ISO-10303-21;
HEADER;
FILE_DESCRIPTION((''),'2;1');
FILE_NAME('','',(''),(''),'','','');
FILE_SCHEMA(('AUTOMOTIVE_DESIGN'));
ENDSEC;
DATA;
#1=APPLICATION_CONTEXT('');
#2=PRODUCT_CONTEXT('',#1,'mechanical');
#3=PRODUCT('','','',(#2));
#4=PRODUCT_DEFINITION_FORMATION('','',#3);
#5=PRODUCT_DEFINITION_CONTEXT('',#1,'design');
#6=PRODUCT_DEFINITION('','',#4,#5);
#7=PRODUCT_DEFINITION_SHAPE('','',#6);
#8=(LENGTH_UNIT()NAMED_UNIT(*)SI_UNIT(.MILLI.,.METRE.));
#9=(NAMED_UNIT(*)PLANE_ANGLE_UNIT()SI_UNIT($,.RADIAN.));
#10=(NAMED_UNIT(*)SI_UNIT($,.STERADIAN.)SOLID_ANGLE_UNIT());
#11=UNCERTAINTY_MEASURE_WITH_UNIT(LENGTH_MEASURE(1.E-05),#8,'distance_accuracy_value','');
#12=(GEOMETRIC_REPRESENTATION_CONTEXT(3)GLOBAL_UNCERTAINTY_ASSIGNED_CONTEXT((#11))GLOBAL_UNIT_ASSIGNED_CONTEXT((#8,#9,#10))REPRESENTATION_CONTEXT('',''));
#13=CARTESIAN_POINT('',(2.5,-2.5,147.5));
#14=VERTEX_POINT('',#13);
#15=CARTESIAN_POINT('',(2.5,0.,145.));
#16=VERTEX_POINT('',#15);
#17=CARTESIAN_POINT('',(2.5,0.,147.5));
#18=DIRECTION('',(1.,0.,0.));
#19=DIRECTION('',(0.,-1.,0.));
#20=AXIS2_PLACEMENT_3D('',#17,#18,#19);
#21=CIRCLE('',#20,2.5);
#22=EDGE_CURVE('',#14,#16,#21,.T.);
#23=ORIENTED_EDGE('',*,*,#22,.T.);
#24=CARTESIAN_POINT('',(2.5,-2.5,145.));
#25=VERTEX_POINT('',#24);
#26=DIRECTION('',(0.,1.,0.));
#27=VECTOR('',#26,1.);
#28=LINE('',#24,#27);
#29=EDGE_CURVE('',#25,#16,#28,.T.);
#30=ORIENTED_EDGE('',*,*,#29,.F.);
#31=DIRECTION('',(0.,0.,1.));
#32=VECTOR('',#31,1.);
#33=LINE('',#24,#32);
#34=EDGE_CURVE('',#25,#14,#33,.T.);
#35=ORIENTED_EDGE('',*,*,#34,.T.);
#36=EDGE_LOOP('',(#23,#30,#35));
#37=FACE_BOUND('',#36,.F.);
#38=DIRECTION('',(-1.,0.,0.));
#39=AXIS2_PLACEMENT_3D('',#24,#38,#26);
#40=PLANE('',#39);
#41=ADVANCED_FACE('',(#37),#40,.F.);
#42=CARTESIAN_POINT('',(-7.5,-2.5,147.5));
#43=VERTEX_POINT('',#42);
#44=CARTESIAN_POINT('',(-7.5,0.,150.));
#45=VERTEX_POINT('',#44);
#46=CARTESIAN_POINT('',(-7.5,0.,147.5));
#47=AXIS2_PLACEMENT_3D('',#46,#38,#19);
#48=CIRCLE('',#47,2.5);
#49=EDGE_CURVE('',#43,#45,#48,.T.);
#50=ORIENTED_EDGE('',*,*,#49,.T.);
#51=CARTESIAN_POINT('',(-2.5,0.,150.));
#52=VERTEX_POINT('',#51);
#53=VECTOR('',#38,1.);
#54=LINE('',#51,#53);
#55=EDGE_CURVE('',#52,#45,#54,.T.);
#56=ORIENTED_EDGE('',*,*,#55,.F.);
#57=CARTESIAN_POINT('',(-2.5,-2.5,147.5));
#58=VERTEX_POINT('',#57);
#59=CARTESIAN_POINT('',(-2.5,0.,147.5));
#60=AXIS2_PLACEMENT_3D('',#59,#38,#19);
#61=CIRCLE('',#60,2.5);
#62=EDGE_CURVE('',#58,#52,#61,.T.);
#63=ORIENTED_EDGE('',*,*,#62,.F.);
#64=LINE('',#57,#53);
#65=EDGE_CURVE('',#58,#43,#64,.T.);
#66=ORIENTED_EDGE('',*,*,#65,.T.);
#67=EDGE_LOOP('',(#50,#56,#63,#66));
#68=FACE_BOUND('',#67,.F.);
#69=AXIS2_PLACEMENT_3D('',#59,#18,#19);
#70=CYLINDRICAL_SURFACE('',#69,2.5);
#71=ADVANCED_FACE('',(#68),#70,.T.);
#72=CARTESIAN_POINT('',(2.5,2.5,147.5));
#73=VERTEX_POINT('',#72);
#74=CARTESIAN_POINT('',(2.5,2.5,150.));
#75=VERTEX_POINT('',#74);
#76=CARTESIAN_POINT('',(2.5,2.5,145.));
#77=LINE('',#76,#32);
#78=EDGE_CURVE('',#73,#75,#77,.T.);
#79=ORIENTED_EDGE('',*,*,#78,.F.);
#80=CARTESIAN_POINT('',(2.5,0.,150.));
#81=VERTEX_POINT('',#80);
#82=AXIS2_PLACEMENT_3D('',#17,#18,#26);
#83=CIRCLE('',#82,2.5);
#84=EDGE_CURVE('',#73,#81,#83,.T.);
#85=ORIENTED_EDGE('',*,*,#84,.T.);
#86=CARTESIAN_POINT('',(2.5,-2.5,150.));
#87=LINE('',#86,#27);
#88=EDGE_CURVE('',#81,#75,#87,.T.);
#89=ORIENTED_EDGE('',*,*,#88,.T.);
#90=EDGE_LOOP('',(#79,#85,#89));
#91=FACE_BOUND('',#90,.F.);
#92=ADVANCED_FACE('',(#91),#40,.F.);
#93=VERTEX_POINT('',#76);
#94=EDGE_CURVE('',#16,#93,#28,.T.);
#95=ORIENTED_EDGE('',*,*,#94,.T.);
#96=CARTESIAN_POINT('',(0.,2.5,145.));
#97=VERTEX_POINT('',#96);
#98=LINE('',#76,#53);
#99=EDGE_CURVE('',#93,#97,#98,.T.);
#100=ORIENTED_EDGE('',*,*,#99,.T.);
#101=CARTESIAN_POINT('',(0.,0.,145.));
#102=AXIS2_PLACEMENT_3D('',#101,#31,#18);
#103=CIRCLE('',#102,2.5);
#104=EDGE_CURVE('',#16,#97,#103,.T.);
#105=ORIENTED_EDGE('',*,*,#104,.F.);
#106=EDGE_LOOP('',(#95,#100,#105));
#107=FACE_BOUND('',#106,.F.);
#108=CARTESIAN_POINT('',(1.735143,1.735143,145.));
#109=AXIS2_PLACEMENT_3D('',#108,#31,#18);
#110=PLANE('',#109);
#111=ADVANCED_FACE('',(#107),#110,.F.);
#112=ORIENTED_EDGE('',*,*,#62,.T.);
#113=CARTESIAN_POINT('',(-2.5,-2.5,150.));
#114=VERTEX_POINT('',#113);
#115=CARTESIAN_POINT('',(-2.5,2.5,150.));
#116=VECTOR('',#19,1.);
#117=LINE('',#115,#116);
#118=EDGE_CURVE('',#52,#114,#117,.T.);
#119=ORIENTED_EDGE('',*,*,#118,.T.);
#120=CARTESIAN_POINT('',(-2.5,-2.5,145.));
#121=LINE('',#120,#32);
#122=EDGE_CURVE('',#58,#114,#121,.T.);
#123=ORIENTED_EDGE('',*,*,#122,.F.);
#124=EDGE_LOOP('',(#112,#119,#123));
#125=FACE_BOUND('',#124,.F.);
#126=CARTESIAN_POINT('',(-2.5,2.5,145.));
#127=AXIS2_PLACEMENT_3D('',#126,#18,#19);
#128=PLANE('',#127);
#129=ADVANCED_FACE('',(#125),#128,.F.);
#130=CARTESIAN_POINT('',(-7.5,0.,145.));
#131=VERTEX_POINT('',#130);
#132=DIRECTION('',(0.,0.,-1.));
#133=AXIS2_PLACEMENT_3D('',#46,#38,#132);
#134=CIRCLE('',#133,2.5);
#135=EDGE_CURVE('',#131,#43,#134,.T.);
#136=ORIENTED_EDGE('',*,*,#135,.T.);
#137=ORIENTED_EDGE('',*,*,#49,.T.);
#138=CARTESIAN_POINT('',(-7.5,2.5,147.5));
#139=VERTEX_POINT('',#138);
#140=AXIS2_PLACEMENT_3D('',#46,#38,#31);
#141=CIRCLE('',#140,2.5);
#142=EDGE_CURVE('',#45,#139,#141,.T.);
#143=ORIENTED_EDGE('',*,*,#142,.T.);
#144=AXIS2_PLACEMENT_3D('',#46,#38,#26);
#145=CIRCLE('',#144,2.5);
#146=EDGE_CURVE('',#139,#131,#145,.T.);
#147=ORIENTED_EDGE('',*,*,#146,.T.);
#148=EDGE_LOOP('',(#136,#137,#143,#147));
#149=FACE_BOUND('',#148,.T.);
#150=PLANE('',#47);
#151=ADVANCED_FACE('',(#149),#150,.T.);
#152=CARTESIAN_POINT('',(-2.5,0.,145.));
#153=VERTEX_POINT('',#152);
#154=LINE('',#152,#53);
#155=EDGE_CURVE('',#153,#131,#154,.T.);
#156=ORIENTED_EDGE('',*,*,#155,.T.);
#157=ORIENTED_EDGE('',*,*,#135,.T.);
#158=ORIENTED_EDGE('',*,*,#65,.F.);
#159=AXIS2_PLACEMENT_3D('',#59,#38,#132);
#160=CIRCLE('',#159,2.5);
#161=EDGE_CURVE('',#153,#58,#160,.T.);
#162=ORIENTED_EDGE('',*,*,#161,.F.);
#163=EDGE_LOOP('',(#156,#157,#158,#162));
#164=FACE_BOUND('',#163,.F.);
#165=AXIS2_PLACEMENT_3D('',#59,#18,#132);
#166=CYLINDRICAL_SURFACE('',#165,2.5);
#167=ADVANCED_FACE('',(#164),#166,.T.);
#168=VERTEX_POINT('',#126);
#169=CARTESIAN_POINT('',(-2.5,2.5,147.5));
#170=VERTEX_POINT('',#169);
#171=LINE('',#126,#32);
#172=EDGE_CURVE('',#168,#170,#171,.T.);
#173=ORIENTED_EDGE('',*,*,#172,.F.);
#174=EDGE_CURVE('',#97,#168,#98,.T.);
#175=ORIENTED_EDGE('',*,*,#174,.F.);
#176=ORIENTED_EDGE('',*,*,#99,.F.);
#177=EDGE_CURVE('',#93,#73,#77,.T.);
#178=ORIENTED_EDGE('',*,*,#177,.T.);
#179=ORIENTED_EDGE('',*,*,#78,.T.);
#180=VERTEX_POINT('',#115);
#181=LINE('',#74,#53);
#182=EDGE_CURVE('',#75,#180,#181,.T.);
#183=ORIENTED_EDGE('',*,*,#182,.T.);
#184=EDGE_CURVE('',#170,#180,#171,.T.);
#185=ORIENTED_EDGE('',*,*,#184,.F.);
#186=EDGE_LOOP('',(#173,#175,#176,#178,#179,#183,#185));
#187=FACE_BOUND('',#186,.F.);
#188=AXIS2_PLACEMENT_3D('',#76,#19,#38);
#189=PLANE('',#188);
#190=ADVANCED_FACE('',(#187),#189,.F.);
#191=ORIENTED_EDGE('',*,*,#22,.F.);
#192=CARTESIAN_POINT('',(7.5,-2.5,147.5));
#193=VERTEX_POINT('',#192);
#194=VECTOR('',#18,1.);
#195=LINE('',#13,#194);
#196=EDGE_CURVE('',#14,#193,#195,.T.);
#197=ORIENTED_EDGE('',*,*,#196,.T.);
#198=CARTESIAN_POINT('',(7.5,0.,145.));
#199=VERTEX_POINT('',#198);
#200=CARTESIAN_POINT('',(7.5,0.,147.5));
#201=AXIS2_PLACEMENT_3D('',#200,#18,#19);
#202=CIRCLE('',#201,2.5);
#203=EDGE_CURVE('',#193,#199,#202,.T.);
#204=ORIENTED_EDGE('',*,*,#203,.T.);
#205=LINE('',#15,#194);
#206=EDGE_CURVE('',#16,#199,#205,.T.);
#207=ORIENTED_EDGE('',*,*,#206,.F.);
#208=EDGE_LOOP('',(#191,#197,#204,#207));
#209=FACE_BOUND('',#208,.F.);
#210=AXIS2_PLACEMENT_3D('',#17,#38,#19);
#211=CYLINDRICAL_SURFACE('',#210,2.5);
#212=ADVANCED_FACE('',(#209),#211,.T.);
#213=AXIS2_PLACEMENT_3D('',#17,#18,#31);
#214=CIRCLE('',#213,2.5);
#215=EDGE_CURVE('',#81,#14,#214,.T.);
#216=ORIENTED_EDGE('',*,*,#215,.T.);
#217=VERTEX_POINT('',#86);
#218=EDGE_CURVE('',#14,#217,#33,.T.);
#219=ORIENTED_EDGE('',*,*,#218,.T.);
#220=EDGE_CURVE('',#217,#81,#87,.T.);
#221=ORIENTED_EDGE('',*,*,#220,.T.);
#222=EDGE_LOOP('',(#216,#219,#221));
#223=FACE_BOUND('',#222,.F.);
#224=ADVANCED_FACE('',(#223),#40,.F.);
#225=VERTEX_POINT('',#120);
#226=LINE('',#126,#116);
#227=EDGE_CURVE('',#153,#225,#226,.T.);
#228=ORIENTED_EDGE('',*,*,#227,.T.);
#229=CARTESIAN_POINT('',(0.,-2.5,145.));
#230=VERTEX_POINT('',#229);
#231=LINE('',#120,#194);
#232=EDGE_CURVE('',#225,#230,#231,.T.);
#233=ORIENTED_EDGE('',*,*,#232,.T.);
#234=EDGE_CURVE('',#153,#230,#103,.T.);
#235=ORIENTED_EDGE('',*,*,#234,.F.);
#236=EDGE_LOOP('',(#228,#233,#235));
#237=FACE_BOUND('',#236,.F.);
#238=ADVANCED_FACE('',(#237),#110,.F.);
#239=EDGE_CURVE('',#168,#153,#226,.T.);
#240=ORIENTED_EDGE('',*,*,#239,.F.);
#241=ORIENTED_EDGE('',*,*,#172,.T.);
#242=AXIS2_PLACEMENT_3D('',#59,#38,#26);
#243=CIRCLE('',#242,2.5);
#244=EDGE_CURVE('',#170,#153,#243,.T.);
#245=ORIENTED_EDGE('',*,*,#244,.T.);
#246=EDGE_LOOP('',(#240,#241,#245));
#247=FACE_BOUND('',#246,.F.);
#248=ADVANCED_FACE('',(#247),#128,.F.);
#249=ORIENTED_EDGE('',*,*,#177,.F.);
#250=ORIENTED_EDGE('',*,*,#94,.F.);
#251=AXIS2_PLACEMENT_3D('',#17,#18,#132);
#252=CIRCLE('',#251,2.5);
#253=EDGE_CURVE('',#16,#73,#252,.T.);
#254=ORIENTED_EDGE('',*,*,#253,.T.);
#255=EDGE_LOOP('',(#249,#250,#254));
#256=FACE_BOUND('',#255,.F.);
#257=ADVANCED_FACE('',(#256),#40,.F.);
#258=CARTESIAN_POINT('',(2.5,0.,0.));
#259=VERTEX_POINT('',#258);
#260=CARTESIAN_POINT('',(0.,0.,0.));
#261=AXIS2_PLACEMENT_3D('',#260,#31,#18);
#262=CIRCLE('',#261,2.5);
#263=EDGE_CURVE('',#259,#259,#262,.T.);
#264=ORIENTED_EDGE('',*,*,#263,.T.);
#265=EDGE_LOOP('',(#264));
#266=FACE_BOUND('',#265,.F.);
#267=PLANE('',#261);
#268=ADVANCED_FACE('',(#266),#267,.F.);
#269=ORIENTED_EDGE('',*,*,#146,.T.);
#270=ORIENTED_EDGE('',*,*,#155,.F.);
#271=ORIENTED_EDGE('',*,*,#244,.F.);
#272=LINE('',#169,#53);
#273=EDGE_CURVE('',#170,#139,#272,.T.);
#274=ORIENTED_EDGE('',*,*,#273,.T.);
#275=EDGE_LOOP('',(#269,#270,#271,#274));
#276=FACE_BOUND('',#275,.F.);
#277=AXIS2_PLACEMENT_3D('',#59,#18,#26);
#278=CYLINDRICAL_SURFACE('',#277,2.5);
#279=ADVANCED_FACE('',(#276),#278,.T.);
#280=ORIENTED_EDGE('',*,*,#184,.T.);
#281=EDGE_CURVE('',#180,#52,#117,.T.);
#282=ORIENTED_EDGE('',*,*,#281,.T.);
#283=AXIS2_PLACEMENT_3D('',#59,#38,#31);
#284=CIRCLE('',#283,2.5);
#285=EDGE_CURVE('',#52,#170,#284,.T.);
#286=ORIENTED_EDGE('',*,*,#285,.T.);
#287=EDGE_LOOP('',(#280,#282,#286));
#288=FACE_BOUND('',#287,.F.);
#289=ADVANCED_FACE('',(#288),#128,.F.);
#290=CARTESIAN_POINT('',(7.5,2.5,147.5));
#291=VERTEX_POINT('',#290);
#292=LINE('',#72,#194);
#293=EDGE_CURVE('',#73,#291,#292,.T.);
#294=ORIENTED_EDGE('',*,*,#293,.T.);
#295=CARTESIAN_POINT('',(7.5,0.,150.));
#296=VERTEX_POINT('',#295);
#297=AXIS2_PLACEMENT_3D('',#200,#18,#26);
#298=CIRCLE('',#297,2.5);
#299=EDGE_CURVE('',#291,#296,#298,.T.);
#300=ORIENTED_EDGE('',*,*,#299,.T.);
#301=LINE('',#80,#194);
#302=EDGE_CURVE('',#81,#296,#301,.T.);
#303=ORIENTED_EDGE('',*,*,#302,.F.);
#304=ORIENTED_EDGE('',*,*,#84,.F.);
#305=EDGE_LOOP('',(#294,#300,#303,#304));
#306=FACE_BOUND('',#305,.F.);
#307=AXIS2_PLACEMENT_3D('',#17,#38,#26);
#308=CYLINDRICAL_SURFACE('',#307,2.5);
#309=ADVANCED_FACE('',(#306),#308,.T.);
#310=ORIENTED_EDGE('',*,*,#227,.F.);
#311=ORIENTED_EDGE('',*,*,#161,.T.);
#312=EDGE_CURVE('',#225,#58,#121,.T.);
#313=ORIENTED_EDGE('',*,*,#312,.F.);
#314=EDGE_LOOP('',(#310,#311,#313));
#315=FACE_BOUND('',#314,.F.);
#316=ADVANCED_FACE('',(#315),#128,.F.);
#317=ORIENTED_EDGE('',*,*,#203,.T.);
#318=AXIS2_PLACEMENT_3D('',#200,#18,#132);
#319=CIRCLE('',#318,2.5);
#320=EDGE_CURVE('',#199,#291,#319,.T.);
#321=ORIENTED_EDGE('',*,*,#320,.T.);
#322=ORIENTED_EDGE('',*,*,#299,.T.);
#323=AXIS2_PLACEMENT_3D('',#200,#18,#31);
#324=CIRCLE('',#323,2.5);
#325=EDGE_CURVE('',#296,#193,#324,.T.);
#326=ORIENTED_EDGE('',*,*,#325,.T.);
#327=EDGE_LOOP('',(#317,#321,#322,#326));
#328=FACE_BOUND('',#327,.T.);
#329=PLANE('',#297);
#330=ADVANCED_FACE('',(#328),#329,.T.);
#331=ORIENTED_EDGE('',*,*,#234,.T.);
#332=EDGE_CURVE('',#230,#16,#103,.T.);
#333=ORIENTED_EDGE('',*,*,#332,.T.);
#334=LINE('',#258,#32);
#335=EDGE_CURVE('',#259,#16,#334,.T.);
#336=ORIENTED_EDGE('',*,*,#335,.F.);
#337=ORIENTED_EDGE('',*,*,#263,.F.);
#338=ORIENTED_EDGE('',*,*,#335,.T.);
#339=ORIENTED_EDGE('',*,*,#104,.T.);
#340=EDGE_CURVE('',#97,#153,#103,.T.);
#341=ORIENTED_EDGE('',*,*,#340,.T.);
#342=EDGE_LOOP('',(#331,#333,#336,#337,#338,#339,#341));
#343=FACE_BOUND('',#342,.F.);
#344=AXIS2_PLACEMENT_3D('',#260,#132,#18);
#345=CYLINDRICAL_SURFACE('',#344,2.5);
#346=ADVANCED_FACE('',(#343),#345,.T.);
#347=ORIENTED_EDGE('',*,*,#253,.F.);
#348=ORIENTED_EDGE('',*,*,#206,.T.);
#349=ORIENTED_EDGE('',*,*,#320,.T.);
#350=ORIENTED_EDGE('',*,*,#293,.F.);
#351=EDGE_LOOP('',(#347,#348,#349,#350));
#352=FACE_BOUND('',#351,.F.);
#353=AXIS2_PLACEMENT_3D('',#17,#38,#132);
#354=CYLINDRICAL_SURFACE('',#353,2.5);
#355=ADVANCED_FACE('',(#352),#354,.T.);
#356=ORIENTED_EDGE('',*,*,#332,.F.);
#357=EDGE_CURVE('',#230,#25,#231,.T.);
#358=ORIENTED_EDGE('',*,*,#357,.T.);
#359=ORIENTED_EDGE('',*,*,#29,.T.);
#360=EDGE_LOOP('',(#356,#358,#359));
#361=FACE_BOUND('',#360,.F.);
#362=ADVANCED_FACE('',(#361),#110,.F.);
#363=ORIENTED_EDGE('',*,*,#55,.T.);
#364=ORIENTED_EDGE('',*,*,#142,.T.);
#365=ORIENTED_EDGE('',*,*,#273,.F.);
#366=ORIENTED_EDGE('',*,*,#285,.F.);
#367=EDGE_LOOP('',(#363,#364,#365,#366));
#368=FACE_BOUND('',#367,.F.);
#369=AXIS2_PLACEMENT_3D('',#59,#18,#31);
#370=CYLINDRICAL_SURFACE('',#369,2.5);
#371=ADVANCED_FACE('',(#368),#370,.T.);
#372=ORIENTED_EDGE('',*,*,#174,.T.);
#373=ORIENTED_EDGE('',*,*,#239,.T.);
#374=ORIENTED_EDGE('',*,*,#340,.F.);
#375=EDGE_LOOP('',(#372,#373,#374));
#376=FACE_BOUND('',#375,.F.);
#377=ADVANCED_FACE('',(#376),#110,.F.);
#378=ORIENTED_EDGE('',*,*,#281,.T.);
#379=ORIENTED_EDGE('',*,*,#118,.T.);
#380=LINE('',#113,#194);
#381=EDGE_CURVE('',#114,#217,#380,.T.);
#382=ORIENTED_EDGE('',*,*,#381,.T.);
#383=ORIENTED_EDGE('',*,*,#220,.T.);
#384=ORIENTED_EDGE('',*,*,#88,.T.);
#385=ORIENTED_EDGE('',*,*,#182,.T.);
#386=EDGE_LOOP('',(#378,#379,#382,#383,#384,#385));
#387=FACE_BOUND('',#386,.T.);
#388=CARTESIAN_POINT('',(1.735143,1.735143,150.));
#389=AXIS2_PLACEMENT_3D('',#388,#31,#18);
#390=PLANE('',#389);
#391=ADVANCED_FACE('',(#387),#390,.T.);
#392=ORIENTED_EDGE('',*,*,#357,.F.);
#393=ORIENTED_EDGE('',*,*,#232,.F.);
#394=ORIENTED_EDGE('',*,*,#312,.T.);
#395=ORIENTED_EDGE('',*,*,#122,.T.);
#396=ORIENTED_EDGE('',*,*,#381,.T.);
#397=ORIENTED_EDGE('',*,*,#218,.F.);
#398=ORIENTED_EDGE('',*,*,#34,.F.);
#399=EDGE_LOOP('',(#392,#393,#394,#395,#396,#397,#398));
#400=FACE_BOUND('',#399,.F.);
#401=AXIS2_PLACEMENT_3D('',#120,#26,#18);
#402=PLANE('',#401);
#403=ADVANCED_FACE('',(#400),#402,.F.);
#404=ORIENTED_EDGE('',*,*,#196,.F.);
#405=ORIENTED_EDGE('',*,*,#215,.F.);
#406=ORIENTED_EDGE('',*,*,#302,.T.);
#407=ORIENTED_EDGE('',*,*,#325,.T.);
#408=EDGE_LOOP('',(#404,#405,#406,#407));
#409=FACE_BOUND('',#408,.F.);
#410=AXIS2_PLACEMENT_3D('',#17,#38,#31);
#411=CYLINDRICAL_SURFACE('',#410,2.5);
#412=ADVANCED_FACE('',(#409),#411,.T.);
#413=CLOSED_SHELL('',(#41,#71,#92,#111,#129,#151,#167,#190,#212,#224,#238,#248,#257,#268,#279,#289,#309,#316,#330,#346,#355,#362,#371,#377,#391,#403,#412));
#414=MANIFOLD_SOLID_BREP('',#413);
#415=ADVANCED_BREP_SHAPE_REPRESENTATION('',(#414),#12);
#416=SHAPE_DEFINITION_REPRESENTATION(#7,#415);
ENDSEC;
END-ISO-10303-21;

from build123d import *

# Parameters (mm, degrees)
F0_R     = 2.5
F1_DEPTH = 145
F3_DEPTH = 5
F5_DEPTH = 5
F7_DEPTH = 5


with BuildPart() as f1:
    # F0 (on Top) → F1 (new body)
    with BuildSketch(Plane.XY):
        Circle(F0_R)
    extrude(amount=F1_DEPTH)

    # F2 (on face) → F3 (join)
    with BuildSketch(Plane.XY.offset(145)):
        with BuildLine():
            Line((2.5, 2.5), (0, 2.5))
            ThreePointArc((0, 2.5), (1.767766953, 1.767766953), (2.5, 0))
            Line((2.5, 0), (2.5, 2.5))
        make_face()
        with BuildLine():
            Line((2.5, -2.5), (2.5, 0))
            ThreePointArc((2.5, 0), (1.767766953, -1.767766953), (0, -2.5))
            Line((0, -2.5), (2.5, -2.5))
        make_face()
        with BuildLine():
            ThreePointArc((2.5, 0), (1.767766953, 1.767766953), (0, 2.5))
            ThreePointArc((0, 2.5), (-1.767766953, 1.767766953), (-2.5, 0))
            ThreePointArc((-2.5, 0), (-1.767766953, -1.767766953), (0, -2.5))
            ThreePointArc((0, -2.5), (1.767766953, -1.767766953), (2.5, 0))
        make_face()
        with BuildLine():
            Line((0, 2.5), (-2.5, 2.5))
            Line((-2.5, 2.5), (-2.5, 0))
            ThreePointArc((-2.5, 0), (-1.767766953, 1.767766953), (0, 2.5))
        make_face()
        with BuildLine():
            ThreePointArc((0, -2.5), (-1.767766953, -1.767766953), (-2.5, 0))
            Line((-2.5, 0), (-2.5, -2.5))
            Line((-2.5, -2.5), (0, -2.5))
        make_face()
    extrude(amount=F3_DEPTH)

    # F4 (on face) → F5 (join)
    with BuildSketch(Plane(origin=(-2.5, 0, 0), x_dir=(0, -1, 0), z_dir=(-1, 0, 0))):
        with BuildLine():
            ThreePointArc((-2.5, 147.5), (-1.767766953, 145.732233047), (0, 145))
            ThreePointArc((0, 145), (1.767766953, 145.732233047), (2.5, 147.5))
            ThreePointArc((2.5, 147.5), (1.767766953, 149.267766953), (0, 150))
            ThreePointArc((0, 150), (-1.767766953, 149.267766953), (-2.5, 147.5))
        make_face()
    extrude(amount=F5_DEPTH)

    # F6 (on face) → F7 (join)
    with BuildSketch(Plane.YZ.offset(2.5)):
        with BuildLine():
            ThreePointArc((-2.5, 147.5), (-1.767766953, 145.732233047), (0, 145))
            ThreePointArc((0, 145), (1.767766953, 145.732233047), (2.5, 147.5))
            ThreePointArc((2.5, 147.5), (1.767766953, 149.267766953), (0, 150))
            ThreePointArc((0, 150), (-1.767766953, 149.267766953), (-2.5, 147.5))
        make_face()
    extrude(amount=F7_DEPTH)


solid = f1.part
